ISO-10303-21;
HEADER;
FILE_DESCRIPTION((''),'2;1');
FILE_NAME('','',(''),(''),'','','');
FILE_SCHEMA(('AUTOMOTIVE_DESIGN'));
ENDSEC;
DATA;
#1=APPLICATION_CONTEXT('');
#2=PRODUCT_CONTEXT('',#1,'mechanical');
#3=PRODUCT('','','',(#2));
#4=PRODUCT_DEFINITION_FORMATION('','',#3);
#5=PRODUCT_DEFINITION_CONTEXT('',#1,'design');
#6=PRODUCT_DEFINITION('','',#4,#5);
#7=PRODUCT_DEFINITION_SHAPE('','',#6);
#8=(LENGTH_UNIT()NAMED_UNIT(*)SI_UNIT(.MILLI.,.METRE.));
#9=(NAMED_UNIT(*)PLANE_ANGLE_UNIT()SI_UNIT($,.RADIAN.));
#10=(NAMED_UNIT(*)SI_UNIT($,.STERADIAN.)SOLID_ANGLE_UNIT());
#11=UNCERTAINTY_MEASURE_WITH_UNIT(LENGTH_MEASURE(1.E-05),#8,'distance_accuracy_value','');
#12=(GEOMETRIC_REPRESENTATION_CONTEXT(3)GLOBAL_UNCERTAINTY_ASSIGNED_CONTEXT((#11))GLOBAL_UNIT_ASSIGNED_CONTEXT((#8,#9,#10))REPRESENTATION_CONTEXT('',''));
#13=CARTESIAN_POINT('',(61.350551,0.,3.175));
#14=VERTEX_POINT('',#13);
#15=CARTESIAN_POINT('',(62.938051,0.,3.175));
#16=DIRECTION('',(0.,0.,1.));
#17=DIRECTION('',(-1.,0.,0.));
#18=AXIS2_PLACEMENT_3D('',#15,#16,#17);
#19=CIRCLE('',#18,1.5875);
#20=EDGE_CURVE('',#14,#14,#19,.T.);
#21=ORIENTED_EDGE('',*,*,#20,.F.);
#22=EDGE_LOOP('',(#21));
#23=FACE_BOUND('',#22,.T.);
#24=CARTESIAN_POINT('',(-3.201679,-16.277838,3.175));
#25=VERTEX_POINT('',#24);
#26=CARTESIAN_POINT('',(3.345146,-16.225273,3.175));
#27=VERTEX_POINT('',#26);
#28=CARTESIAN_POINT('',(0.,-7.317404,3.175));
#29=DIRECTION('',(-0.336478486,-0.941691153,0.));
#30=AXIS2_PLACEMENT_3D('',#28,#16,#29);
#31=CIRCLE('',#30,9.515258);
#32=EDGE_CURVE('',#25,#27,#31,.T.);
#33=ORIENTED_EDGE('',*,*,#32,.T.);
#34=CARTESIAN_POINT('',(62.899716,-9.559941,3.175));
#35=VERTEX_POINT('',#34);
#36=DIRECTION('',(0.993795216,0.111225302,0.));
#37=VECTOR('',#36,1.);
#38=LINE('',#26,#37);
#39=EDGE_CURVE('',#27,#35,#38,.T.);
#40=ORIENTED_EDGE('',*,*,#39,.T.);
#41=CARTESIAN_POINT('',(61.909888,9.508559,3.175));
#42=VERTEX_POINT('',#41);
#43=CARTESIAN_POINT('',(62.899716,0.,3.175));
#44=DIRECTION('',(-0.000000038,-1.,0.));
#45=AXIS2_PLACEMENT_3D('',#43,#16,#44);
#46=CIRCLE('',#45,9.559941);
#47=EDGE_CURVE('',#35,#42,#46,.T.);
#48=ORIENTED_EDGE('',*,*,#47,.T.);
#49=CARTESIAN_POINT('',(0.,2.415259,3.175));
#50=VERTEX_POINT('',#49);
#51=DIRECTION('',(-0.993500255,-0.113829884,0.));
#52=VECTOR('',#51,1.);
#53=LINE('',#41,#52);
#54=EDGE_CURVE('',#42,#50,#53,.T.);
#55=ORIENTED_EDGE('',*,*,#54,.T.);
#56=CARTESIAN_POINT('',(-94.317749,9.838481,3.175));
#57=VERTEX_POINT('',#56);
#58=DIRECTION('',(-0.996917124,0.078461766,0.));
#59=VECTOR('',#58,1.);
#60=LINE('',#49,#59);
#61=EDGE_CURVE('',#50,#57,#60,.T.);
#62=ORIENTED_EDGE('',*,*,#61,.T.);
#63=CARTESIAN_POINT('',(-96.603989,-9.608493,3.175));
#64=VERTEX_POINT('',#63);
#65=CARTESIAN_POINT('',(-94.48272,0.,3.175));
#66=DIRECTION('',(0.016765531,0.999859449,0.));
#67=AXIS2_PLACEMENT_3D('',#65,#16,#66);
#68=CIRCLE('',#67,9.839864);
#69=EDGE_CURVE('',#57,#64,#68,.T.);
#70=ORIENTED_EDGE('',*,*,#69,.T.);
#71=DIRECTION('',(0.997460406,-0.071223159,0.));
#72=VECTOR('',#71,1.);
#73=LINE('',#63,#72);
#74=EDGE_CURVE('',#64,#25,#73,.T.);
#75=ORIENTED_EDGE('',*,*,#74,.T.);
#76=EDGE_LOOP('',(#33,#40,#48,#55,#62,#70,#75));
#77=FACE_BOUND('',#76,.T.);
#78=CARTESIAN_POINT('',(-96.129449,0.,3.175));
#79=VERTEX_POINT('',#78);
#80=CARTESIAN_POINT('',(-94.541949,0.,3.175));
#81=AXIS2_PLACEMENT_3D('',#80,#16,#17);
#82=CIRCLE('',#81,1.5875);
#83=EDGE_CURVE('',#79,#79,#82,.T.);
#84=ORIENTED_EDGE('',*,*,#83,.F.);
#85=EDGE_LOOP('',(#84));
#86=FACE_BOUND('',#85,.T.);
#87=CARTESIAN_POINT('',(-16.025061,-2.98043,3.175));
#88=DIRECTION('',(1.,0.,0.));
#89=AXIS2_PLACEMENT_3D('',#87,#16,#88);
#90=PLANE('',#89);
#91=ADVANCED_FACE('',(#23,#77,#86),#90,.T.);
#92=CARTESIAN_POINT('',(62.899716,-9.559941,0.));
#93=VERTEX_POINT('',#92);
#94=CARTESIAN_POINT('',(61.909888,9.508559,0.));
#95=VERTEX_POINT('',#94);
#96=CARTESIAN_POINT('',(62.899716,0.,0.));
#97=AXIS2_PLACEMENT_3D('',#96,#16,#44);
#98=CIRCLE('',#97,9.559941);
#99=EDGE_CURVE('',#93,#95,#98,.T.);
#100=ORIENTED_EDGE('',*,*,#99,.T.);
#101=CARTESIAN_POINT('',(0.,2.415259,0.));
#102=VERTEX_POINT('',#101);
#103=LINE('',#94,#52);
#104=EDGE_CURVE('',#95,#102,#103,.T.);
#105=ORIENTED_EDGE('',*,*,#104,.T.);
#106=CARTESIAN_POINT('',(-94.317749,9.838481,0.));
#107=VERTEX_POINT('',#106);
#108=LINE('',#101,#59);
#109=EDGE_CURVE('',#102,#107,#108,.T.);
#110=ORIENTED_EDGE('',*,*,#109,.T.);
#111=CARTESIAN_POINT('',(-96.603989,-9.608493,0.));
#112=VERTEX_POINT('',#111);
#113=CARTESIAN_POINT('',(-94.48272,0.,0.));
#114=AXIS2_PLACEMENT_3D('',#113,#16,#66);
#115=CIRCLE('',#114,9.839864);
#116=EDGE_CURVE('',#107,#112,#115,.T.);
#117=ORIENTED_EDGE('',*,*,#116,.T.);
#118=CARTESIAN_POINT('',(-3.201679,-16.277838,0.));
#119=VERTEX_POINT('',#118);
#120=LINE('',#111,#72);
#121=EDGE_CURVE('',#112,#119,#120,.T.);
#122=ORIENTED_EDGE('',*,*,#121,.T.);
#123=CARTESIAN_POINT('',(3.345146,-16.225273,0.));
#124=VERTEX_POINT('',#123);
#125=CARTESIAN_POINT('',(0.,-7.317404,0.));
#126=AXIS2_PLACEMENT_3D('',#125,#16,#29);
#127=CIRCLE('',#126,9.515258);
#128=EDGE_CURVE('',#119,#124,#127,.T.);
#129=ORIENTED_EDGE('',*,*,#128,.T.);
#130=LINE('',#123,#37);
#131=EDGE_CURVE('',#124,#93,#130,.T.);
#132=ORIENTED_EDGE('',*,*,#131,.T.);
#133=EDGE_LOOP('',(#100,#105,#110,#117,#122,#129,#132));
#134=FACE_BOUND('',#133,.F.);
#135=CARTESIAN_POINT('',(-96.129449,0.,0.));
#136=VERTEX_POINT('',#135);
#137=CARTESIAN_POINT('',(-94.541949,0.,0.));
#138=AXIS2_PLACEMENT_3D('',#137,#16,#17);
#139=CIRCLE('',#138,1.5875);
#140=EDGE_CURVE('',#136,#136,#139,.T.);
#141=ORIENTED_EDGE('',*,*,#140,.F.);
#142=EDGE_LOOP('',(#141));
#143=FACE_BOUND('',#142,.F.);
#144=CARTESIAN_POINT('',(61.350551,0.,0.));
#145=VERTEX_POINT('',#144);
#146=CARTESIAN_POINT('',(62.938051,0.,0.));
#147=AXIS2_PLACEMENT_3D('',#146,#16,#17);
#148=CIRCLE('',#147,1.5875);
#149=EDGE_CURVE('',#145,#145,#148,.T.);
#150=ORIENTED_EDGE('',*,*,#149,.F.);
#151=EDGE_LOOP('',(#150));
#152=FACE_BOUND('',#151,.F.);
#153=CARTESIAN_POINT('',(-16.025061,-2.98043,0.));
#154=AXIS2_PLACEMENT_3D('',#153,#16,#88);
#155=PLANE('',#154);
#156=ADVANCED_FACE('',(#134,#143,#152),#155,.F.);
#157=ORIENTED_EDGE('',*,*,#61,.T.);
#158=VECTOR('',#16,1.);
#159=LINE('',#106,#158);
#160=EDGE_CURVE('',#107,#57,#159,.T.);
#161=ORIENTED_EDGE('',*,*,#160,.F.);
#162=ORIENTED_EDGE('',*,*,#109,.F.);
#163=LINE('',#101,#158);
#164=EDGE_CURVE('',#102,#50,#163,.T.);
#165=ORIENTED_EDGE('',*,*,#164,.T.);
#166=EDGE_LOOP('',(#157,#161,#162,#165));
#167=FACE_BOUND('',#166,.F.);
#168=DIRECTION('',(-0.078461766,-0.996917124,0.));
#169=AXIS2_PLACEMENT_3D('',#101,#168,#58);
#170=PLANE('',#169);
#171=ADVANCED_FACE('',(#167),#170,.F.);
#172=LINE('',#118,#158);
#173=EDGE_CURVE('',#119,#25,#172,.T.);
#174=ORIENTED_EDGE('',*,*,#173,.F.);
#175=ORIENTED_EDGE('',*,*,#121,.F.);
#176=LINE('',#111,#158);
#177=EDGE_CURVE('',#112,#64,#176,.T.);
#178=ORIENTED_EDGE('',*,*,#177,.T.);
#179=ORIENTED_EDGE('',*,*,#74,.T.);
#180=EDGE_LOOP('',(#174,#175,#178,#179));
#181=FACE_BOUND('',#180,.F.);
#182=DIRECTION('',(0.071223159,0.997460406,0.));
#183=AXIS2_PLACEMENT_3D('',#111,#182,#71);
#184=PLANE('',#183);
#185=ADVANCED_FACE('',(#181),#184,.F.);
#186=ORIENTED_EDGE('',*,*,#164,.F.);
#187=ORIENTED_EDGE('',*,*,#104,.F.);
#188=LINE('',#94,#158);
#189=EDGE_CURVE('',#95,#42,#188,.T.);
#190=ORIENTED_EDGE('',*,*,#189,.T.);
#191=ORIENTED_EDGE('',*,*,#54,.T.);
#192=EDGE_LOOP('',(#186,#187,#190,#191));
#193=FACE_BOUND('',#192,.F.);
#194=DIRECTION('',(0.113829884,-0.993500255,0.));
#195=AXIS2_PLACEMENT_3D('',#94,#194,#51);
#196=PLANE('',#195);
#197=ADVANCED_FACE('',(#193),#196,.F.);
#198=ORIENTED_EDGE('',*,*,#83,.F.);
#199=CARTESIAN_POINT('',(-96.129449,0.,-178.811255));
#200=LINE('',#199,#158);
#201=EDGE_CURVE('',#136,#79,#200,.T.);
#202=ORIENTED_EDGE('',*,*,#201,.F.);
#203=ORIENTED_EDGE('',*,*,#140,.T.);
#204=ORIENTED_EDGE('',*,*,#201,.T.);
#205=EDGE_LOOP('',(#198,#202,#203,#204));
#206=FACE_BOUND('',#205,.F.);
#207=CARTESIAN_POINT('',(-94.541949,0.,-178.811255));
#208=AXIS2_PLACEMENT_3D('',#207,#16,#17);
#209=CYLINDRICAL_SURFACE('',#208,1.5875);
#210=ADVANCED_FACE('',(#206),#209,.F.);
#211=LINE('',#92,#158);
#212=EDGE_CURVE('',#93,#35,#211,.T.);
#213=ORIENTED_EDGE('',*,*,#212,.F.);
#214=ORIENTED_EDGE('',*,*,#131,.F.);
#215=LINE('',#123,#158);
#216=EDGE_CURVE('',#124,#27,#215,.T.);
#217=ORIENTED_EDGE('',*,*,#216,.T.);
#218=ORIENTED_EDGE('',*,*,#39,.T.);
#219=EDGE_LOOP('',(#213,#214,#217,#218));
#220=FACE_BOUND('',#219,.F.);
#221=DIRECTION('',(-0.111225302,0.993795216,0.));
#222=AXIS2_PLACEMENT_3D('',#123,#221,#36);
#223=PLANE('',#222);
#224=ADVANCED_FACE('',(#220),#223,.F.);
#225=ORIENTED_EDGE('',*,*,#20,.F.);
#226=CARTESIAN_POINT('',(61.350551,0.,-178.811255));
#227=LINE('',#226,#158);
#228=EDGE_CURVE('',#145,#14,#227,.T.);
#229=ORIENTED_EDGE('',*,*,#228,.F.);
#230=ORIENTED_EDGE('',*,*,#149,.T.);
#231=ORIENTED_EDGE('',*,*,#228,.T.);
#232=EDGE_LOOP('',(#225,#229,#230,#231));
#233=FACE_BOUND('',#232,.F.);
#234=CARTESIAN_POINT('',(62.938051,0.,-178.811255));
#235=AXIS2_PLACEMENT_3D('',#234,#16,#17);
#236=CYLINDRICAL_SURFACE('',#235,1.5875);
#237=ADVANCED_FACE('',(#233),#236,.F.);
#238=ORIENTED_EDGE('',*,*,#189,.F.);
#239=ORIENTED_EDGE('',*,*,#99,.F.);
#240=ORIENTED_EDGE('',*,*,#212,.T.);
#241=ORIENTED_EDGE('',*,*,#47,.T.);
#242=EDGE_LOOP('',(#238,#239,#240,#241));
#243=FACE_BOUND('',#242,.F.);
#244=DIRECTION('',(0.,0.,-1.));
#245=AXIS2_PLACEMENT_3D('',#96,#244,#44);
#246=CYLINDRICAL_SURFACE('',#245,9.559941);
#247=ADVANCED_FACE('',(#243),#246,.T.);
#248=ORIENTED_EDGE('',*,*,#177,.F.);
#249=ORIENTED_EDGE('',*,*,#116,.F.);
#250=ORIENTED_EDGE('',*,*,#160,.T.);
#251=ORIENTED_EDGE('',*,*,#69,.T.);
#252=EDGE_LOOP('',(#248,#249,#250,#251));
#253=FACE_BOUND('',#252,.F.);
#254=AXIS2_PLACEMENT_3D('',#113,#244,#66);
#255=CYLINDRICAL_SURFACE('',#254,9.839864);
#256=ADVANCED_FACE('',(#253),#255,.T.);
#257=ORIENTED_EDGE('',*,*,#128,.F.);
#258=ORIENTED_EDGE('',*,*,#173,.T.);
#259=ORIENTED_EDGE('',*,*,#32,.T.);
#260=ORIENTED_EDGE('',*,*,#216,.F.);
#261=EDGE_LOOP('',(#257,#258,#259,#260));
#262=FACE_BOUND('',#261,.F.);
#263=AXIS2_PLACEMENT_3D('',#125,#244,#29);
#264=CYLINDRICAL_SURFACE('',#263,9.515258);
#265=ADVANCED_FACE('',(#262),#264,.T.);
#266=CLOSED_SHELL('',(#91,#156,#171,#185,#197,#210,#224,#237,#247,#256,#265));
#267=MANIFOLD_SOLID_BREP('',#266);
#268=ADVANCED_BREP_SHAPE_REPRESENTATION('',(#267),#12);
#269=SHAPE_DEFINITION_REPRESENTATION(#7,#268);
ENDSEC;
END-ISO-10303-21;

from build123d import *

# Parameters (mm, degrees)
F2_DEPTH = 3.175
F3_D     = 3.175


with BuildPart() as f2:
    # F1 (on Top) → F2 (new body)
    with BuildSketch(Plane.XY):
        with BuildLine():
            Line((0, 2.415259), (-94.317749, 9.838481))
            ThreePointArc((-94.317749, 9.838481), (-104.255282, 1.148889), (-96.603989, -9.608493))
            Line((-96.603989, -9.608493), (-3.201679, -16.277838))
            ThreePointArc((-3.201679, -16.277838), (0.076397, -16.832355), (3.345146, -16.225273))
            Line((3.345146, -16.225273), (62.899716, -9.559941))
            ThreePointArc((62.899716, -9.559941), (72.446803, 0.49558), (61.909888, 9.508559))
            Line((61.909888, 9.508559), (0, 2.415259))
        make_face()
    extrude(amount=F2_DEPTH)

    # F3 (through all)
    with Locations(Plane(origin=(0, 0, 0), x_dir=(1, 0, 0), z_dir=(0, 0, -1))):
        with Locations((-94.541949, 0), (62.938051, 0)):
            Hole(F3_D / 2)


solid = f2.part
